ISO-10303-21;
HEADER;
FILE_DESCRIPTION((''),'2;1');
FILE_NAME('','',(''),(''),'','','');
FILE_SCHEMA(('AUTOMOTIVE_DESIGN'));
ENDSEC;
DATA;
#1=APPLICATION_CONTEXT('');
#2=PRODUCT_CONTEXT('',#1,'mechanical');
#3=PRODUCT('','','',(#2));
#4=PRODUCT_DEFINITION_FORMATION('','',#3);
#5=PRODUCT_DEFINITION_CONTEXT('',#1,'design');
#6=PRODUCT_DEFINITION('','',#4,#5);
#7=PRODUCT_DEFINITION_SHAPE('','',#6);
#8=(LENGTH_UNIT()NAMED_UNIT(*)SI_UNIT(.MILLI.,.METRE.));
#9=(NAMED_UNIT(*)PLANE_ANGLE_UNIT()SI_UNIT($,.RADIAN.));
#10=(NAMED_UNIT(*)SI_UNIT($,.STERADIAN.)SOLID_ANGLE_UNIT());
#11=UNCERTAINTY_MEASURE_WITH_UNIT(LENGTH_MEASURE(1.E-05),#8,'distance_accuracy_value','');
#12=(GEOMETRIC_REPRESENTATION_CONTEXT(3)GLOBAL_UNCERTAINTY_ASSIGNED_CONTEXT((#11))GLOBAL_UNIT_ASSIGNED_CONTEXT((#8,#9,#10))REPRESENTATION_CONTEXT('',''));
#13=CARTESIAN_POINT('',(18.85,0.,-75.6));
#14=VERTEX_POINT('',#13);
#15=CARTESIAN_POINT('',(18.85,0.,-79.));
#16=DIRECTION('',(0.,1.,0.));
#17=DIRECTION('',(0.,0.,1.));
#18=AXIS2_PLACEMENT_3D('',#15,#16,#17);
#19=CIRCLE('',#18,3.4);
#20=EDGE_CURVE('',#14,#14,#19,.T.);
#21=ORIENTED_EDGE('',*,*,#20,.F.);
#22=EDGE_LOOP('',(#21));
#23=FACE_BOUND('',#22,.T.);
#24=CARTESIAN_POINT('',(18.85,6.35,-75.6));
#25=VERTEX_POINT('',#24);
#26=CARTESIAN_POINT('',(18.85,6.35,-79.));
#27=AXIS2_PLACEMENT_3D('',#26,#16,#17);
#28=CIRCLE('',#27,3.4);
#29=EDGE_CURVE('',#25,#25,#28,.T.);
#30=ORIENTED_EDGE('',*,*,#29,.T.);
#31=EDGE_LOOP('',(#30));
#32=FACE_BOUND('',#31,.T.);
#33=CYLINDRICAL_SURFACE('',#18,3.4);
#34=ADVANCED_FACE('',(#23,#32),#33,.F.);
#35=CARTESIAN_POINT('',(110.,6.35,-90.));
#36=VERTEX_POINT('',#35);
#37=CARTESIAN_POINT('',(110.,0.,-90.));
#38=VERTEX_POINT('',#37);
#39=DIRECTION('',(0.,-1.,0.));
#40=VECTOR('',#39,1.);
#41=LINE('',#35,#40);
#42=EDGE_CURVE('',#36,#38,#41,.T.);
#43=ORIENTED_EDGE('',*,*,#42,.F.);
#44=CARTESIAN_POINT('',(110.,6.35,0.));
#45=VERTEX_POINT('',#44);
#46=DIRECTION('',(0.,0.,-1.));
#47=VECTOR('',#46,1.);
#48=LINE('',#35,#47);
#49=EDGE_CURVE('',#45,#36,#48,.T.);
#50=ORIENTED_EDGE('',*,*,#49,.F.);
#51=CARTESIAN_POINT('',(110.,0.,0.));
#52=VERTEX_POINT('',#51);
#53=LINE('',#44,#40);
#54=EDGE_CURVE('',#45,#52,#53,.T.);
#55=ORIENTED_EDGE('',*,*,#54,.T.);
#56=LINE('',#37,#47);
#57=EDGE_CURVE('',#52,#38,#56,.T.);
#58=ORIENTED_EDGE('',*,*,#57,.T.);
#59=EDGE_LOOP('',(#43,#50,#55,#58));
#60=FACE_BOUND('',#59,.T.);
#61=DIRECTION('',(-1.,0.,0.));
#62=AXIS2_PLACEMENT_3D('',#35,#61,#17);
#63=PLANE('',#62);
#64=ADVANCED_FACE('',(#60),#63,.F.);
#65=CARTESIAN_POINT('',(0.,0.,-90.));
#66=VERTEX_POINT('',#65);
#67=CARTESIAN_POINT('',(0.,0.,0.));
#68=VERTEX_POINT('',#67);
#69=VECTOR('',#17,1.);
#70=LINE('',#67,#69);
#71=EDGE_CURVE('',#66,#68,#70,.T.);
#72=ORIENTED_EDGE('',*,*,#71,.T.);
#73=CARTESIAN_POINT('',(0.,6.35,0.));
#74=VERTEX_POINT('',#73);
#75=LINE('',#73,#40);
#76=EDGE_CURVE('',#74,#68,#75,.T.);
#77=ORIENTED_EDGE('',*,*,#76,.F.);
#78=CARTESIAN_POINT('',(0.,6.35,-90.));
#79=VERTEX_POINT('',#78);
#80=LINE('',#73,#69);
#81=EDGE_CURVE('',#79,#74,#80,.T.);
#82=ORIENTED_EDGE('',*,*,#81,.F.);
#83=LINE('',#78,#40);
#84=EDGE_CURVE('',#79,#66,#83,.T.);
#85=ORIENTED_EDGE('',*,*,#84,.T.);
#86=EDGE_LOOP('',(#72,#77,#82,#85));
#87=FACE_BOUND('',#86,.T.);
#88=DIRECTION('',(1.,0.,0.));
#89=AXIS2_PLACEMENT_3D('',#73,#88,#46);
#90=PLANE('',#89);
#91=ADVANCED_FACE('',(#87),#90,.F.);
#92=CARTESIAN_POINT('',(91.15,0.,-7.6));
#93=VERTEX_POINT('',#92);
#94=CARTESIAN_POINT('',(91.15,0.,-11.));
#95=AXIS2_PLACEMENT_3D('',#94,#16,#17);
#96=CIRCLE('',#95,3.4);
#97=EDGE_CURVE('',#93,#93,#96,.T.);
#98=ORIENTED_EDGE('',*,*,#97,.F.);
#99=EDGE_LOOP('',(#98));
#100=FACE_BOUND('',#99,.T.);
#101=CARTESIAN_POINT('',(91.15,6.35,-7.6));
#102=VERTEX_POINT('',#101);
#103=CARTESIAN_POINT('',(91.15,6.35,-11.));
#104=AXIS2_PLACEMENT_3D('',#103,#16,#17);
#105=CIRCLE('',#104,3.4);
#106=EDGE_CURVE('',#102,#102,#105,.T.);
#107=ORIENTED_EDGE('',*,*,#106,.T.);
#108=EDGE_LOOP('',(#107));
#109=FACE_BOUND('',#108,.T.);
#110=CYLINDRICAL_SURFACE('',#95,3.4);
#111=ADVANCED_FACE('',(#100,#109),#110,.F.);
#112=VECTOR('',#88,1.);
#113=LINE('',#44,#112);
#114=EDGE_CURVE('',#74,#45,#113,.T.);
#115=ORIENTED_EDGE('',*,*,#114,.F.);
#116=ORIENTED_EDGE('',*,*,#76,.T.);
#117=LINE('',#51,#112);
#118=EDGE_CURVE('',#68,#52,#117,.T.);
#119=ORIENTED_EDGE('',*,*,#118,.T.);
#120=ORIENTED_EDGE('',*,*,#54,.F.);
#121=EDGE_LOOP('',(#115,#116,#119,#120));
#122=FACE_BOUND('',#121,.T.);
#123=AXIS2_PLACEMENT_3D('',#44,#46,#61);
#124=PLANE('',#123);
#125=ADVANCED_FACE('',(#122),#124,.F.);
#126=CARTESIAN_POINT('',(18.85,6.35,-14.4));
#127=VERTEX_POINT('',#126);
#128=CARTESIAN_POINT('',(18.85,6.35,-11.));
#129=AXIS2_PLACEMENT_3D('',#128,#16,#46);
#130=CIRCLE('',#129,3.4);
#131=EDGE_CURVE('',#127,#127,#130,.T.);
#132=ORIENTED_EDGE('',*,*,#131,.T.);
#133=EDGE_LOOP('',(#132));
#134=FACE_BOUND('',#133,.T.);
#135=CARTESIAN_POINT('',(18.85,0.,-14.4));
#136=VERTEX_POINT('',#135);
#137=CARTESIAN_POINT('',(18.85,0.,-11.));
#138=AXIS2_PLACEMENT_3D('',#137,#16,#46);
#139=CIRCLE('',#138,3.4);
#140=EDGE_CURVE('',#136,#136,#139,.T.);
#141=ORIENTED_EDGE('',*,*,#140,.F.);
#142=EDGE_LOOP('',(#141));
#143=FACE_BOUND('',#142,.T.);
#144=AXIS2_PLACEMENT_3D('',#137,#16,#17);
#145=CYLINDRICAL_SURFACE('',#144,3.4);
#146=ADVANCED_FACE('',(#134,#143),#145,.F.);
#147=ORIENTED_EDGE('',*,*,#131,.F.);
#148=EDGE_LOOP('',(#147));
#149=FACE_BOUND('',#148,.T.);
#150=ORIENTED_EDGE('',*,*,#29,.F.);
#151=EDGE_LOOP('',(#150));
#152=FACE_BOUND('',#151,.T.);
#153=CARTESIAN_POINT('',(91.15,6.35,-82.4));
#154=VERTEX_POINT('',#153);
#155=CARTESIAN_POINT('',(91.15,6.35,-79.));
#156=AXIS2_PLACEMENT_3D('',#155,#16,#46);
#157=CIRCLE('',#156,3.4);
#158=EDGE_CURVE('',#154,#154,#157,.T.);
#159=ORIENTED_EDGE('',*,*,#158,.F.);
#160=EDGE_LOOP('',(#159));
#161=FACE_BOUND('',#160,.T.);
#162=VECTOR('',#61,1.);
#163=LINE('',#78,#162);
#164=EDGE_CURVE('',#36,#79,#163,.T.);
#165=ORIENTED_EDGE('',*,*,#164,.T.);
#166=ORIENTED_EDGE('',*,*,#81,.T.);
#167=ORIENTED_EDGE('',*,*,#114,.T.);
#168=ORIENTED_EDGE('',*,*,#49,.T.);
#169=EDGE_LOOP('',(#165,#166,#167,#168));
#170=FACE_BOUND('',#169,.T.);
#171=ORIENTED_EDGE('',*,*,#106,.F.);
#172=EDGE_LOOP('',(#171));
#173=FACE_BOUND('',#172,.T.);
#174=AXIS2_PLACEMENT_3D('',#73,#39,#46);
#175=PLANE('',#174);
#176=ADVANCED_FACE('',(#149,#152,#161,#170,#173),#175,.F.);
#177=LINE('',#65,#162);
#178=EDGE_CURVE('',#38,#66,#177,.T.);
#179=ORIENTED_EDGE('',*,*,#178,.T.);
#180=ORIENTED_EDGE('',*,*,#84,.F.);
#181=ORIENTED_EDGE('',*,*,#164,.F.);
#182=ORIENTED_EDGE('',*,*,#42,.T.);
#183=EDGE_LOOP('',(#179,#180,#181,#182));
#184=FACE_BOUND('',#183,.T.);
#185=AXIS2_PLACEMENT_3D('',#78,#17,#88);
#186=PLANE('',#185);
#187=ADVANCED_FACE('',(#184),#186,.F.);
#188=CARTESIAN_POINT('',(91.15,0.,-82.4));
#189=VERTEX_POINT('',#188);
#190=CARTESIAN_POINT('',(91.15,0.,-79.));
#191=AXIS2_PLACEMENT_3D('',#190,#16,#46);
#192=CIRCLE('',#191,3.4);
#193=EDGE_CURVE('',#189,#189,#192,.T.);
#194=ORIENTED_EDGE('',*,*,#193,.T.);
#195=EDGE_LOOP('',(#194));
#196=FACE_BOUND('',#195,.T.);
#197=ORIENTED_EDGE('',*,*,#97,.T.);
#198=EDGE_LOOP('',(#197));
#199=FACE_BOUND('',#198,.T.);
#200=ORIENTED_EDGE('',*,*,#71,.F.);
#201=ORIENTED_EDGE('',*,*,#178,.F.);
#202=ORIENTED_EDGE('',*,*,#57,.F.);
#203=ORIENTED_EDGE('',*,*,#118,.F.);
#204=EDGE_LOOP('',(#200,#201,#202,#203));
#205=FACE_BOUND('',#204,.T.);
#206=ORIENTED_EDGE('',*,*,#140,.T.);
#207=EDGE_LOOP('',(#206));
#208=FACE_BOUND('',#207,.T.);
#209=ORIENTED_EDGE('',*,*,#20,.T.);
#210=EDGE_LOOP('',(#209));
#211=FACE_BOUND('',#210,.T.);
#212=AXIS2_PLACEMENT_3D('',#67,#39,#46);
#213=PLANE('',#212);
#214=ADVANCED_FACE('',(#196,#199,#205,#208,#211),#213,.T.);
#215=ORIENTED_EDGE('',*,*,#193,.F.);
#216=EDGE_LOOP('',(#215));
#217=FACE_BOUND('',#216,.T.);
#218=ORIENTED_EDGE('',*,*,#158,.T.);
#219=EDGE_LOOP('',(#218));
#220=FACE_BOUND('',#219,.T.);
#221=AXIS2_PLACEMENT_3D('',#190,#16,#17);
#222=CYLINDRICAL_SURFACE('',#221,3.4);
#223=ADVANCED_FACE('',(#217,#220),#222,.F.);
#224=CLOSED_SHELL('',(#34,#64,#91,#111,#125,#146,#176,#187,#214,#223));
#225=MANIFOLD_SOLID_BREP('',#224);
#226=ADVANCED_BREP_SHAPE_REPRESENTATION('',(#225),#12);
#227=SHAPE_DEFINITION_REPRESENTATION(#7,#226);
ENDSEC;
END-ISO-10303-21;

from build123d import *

# Parameters (mm, degrees)
SKETCH2_W            = 110
SKETCH2_H            = 90
BOSS_EXTRUDE1_DEPTH  = 6.35
SKETCH3_R            = 3.4
MOUNTING_HOLES_DEPTH = 143.268487375


with BuildPart() as part:
    # Sketch2 → Boss-Extrude1 (new body)
    with BuildSketch(Plane(origin=(0, 0, 0), x_dir=(1, 0, 0), z_dir=(0, 1, 0))):
        with Locations((55, 45)):
            Rectangle(SKETCH2_W, SKETCH2_H)
    extrude(amount=BOSS_EXTRUDE1_DEPTH)

    # Sketch3 → Mounting Holes (cut, through all)
    with BuildSketch(Plane(origin=(0, 6.35, 0), x_dir=(1, 0, 0), z_dir=(0, 1, 0))):
        with Locations(Location((18.85, 79, 0), (0, 0, 270))):
            Circle(SKETCH3_R)
        with Locations(Location((18.85, 11, 0), (0, 0, 90))):
            Circle(SKETCH3_R)
        with Locations(Location((91.15, 11, 0), (0, 0, 270))):
            Circle(SKETCH3_R)
        with Locations(Location((91.15, 79, 0), (0, 0, 90))):
            Circle(SKETCH3_R)
    extrude(amount=-MOUNTING_HOLES_DEPTH, mode=Mode.SUBTRACT)


solid = part.part
